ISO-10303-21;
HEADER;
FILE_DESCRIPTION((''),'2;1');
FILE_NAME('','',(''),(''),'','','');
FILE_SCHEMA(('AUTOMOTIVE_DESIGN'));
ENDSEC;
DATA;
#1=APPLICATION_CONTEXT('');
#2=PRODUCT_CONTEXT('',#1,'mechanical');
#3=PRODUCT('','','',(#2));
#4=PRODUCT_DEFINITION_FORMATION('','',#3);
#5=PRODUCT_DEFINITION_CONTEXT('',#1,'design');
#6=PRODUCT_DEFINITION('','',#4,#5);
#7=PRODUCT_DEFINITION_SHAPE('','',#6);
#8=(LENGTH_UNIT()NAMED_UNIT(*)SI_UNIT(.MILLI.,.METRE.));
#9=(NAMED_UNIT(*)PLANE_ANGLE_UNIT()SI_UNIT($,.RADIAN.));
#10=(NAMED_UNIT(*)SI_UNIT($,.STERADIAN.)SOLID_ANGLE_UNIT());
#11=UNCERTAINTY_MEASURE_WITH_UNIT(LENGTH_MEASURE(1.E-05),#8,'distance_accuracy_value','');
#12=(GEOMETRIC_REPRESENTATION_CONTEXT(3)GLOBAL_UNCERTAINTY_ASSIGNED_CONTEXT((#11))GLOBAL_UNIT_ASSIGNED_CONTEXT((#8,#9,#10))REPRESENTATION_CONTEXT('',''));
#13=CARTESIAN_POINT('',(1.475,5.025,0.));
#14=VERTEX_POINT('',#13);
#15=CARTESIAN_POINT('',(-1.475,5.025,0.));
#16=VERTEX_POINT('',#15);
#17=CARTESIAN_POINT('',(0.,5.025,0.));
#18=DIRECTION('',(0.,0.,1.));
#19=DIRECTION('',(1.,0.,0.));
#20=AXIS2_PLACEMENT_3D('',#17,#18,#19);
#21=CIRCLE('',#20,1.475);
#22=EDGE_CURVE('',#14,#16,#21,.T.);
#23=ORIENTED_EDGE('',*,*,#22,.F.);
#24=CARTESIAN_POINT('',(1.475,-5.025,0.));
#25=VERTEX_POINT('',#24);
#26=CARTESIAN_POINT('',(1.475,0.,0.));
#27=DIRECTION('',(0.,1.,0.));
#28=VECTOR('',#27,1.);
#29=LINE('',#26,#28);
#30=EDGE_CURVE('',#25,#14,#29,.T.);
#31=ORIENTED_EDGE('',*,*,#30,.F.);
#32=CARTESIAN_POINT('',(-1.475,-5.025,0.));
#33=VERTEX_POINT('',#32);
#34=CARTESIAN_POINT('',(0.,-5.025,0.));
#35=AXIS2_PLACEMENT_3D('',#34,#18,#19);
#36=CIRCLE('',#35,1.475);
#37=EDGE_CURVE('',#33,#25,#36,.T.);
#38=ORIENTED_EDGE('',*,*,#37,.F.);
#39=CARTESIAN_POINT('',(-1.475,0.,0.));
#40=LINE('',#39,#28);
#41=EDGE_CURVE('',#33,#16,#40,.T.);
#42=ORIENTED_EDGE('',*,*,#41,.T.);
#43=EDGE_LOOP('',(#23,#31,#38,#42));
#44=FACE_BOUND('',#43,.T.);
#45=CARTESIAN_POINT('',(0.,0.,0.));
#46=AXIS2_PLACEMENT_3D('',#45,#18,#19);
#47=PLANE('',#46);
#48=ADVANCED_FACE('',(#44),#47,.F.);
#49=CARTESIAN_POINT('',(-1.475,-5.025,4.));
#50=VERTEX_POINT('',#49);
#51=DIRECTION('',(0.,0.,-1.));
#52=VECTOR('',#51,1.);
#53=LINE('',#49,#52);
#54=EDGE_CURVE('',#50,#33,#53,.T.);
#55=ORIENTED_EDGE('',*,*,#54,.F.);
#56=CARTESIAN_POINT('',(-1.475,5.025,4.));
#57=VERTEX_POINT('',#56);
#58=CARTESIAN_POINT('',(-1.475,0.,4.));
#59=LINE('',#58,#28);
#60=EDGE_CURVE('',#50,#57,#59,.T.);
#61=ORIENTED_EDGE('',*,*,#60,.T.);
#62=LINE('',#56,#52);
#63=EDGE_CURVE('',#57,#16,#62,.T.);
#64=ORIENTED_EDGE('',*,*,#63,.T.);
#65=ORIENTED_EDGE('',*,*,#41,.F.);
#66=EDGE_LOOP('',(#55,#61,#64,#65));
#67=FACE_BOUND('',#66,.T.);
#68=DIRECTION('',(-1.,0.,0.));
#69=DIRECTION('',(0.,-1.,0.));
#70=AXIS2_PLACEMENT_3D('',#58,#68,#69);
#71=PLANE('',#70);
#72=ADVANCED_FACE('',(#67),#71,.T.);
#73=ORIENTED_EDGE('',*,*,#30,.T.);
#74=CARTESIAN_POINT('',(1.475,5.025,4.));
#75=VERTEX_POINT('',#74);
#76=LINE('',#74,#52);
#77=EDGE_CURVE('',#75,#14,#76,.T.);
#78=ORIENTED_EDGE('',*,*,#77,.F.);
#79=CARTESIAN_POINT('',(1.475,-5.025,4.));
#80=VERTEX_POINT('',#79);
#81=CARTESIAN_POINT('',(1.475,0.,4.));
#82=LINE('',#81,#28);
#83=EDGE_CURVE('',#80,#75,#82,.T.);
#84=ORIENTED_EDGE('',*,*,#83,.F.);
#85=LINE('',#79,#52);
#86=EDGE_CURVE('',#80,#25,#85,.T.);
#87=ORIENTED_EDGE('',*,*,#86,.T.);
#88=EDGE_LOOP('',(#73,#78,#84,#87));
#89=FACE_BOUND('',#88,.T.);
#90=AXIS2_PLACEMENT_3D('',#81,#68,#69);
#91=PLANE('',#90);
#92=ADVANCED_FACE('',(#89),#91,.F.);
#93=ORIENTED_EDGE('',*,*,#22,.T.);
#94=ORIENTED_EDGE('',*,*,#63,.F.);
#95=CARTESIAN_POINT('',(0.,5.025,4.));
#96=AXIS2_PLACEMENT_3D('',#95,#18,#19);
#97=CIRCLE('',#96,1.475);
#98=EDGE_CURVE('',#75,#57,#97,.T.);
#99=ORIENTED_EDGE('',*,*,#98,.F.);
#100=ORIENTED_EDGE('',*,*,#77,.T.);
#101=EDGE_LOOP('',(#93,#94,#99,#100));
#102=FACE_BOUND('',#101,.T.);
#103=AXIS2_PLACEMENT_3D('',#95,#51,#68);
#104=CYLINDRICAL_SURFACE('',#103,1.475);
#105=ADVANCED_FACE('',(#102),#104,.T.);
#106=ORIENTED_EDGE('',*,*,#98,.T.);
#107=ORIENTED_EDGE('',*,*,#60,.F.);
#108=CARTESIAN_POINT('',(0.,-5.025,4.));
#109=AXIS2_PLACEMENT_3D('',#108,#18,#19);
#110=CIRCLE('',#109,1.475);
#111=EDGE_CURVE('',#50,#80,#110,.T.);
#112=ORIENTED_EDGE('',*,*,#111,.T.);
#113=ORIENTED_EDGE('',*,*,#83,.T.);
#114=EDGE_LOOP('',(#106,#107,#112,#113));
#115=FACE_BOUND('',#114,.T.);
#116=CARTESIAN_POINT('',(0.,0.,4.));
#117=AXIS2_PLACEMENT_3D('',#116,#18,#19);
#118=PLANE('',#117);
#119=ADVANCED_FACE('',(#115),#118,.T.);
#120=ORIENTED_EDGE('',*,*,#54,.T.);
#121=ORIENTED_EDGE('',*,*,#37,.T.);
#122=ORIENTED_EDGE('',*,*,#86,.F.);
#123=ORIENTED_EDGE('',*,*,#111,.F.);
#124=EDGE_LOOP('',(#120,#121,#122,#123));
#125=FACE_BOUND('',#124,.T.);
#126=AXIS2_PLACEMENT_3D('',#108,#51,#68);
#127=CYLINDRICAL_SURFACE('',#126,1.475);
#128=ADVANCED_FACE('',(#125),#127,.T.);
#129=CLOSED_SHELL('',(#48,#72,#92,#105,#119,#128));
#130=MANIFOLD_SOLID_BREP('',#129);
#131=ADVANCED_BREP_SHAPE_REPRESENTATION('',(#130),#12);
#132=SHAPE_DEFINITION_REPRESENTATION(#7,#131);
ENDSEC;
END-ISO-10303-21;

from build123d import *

# Parameters (mm, degrees)
BOSS_EXTRUDE1_DEPTH = 4


with BuildPart() as part:
    # Sketch1 → Boss-Extrude1 (new body)
    with BuildSketch(Plane.XY):
        with BuildLine():
            Line((0, 6.5), (0, -6.5))
            ThreePointArc((0, -6.5), (1.042982502, -6.067982502), (1.475, -5.025))
            Line((1.475, -5.025), (1.475, 5.025))
            ThreePointArc((1.475, 5.025), (1.042982502, 6.067982502), (0, 6.5))
        make_face()
        with BuildLine():
            Line((-1.475, 5.025), (-1.475, -5.025))
            ThreePointArc((-1.475, -5.025), (-1.042982502, -6.067982502), (0, -6.5))
            Line((0, -6.5), (0, 6.5))
            ThreePointArc((0, 6.5), (-1.042982502, 6.067982502), (-1.475, 5.025))
        make_face()
    extrude(amount=BOSS_EXTRUDE1_DEPTH)


solid = part.part
